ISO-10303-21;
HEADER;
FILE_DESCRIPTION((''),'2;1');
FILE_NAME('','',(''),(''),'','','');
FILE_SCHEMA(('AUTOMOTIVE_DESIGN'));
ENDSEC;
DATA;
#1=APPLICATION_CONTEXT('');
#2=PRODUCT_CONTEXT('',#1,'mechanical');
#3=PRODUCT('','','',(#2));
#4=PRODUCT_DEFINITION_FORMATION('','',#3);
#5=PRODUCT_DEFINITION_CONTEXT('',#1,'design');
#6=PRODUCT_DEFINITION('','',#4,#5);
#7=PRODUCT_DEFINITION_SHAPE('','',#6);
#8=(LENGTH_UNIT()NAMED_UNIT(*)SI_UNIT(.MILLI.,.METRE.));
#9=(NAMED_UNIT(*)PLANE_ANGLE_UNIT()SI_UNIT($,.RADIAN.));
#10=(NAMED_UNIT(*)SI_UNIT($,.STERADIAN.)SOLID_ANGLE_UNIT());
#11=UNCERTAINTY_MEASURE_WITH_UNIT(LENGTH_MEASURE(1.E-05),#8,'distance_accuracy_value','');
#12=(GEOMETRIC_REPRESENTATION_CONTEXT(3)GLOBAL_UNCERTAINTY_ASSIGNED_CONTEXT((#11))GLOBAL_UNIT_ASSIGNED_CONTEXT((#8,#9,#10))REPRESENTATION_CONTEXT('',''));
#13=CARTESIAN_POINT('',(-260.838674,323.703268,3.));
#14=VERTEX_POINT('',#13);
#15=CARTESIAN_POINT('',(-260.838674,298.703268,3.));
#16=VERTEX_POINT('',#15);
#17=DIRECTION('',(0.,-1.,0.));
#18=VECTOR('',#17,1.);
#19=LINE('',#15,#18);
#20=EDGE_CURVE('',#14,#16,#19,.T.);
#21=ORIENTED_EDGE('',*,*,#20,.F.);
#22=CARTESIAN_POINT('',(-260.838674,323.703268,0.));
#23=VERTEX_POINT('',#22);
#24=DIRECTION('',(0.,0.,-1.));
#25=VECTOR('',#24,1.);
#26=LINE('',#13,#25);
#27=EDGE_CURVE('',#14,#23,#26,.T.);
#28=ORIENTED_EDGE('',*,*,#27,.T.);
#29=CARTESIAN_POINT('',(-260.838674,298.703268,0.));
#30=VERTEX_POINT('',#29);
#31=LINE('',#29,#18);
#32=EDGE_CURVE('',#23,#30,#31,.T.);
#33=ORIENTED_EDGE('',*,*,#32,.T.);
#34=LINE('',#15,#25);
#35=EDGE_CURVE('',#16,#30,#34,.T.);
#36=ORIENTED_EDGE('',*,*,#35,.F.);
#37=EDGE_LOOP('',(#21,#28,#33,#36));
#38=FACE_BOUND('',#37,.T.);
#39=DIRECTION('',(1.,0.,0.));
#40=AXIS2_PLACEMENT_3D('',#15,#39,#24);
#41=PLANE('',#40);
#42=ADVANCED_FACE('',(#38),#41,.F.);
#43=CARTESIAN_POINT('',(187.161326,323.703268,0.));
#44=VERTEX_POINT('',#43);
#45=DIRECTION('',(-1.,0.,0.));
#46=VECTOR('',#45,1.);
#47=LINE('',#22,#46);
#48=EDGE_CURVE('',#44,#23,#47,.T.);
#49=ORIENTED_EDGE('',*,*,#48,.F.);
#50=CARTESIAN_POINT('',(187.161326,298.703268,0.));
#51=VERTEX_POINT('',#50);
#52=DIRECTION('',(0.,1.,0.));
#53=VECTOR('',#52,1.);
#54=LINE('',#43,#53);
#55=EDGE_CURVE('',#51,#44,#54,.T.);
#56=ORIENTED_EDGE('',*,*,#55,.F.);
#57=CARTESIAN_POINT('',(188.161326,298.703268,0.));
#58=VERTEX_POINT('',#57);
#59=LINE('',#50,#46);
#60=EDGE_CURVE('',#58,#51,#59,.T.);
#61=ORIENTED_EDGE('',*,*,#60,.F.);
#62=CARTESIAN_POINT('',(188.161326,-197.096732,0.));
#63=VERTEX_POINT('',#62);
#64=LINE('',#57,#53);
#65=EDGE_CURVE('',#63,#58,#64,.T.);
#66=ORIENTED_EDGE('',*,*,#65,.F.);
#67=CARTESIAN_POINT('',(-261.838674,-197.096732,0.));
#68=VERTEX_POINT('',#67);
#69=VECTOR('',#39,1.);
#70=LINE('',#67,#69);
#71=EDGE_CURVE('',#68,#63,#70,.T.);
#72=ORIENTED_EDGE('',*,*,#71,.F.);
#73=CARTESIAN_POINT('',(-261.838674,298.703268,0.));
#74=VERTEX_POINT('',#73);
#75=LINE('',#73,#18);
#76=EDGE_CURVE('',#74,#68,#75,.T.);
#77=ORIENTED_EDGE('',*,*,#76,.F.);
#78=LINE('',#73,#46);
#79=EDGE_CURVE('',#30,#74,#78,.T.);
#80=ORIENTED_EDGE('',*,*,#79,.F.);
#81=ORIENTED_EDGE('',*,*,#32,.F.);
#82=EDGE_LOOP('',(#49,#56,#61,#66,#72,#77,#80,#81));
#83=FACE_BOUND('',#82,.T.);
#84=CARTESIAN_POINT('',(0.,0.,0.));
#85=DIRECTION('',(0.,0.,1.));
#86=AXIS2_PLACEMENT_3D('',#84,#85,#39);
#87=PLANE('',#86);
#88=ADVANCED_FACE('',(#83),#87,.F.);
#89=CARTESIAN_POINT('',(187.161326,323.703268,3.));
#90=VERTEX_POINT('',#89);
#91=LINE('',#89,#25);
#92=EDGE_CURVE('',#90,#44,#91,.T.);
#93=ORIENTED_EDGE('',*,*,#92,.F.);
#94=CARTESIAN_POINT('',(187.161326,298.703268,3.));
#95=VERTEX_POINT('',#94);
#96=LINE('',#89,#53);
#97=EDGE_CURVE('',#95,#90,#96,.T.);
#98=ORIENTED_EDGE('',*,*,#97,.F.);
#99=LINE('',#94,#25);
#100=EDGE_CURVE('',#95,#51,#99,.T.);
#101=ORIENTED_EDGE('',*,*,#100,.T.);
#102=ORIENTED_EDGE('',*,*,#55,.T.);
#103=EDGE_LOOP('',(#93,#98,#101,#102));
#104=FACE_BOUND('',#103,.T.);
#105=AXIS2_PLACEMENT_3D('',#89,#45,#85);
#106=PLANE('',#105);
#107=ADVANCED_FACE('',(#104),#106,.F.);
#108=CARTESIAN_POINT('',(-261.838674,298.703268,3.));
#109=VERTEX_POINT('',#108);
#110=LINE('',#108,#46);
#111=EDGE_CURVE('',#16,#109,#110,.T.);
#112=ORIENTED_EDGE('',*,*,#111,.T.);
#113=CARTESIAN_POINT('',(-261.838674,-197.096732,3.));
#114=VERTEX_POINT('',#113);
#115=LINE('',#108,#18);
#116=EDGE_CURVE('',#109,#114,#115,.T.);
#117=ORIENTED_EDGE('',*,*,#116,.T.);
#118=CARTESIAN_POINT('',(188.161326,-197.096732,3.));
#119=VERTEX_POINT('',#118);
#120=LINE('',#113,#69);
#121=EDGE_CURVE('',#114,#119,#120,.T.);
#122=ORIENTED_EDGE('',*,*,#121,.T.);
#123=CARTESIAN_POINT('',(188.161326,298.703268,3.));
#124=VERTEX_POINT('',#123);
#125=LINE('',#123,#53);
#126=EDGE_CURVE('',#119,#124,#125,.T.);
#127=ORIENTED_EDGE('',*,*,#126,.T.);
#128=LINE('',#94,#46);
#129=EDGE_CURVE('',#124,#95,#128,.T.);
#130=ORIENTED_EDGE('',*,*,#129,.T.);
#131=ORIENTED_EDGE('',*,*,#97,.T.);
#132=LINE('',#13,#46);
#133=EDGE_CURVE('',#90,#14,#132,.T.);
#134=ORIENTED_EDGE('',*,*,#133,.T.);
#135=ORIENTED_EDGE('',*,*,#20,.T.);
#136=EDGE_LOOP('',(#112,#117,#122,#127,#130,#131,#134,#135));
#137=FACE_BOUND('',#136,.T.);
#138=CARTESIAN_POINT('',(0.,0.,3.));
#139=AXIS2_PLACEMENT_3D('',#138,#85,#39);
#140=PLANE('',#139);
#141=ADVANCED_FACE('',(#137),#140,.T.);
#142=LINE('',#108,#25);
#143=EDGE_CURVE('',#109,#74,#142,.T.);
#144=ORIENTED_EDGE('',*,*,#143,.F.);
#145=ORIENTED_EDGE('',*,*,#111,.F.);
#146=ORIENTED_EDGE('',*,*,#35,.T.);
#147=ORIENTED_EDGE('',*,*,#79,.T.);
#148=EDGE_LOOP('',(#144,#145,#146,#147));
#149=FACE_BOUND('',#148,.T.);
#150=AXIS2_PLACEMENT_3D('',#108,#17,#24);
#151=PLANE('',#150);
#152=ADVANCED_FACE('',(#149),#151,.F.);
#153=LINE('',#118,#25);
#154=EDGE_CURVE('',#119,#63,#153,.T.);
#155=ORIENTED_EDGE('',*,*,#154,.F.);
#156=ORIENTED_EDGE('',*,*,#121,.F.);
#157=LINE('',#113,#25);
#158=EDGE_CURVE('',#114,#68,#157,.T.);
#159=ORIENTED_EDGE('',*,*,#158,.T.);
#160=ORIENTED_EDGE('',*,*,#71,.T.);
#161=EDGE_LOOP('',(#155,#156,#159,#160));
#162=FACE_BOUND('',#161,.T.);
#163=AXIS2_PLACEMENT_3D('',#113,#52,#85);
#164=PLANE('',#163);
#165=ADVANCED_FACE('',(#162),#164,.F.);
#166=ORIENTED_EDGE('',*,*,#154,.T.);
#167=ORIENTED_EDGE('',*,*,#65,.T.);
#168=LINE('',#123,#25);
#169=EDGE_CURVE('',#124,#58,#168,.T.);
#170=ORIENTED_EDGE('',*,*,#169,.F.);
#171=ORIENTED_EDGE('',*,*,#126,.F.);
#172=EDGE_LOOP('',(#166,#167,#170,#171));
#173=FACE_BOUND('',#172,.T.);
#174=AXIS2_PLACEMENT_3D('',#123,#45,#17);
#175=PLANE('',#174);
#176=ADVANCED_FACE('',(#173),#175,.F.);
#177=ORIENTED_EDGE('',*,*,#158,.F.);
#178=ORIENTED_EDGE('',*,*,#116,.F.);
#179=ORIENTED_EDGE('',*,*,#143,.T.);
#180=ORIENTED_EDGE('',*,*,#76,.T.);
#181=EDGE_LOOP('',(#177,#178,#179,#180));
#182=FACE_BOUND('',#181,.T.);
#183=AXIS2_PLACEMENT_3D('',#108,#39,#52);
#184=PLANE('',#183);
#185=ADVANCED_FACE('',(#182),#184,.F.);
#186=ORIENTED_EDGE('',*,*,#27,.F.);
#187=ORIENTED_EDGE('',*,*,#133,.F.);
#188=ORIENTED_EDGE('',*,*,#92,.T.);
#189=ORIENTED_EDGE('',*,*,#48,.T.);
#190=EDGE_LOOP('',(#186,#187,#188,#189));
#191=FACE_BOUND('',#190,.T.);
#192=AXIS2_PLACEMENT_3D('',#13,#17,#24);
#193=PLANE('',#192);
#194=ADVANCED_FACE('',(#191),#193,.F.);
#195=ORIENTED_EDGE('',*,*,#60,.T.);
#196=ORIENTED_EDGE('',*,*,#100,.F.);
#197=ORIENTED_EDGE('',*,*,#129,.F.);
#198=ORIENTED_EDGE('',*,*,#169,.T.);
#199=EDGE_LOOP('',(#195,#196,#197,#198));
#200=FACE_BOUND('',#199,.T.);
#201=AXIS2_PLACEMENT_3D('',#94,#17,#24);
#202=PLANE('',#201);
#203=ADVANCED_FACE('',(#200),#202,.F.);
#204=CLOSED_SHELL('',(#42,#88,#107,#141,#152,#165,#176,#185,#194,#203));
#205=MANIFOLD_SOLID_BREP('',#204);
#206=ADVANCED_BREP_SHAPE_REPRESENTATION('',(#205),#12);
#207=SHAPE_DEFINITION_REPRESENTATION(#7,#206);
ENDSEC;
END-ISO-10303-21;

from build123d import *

# Parameters (mm, degrees)
SALIENTE_EXTRUIR1_DEPTH = 3


with BuildPart() as part:
    # Croquis1 → Saliente-Extruir1 (new body)
    with BuildSketch(Plane.XY):
        Polygon((-261.838674033, 298.703267526), (-260.838674033, 298.703267526), (-260.838674033, 323.703267526), (187.161325967, 323.703267526), (187.161325967, 298.703267526), (188.161325967, 298.703267526), (188.161325967, -197.096732474), (-261.838674033, -197.096732474), align=None)
    extrude(amount=SALIENTE_EXTRUIR1_DEPTH)


solid = part.part
